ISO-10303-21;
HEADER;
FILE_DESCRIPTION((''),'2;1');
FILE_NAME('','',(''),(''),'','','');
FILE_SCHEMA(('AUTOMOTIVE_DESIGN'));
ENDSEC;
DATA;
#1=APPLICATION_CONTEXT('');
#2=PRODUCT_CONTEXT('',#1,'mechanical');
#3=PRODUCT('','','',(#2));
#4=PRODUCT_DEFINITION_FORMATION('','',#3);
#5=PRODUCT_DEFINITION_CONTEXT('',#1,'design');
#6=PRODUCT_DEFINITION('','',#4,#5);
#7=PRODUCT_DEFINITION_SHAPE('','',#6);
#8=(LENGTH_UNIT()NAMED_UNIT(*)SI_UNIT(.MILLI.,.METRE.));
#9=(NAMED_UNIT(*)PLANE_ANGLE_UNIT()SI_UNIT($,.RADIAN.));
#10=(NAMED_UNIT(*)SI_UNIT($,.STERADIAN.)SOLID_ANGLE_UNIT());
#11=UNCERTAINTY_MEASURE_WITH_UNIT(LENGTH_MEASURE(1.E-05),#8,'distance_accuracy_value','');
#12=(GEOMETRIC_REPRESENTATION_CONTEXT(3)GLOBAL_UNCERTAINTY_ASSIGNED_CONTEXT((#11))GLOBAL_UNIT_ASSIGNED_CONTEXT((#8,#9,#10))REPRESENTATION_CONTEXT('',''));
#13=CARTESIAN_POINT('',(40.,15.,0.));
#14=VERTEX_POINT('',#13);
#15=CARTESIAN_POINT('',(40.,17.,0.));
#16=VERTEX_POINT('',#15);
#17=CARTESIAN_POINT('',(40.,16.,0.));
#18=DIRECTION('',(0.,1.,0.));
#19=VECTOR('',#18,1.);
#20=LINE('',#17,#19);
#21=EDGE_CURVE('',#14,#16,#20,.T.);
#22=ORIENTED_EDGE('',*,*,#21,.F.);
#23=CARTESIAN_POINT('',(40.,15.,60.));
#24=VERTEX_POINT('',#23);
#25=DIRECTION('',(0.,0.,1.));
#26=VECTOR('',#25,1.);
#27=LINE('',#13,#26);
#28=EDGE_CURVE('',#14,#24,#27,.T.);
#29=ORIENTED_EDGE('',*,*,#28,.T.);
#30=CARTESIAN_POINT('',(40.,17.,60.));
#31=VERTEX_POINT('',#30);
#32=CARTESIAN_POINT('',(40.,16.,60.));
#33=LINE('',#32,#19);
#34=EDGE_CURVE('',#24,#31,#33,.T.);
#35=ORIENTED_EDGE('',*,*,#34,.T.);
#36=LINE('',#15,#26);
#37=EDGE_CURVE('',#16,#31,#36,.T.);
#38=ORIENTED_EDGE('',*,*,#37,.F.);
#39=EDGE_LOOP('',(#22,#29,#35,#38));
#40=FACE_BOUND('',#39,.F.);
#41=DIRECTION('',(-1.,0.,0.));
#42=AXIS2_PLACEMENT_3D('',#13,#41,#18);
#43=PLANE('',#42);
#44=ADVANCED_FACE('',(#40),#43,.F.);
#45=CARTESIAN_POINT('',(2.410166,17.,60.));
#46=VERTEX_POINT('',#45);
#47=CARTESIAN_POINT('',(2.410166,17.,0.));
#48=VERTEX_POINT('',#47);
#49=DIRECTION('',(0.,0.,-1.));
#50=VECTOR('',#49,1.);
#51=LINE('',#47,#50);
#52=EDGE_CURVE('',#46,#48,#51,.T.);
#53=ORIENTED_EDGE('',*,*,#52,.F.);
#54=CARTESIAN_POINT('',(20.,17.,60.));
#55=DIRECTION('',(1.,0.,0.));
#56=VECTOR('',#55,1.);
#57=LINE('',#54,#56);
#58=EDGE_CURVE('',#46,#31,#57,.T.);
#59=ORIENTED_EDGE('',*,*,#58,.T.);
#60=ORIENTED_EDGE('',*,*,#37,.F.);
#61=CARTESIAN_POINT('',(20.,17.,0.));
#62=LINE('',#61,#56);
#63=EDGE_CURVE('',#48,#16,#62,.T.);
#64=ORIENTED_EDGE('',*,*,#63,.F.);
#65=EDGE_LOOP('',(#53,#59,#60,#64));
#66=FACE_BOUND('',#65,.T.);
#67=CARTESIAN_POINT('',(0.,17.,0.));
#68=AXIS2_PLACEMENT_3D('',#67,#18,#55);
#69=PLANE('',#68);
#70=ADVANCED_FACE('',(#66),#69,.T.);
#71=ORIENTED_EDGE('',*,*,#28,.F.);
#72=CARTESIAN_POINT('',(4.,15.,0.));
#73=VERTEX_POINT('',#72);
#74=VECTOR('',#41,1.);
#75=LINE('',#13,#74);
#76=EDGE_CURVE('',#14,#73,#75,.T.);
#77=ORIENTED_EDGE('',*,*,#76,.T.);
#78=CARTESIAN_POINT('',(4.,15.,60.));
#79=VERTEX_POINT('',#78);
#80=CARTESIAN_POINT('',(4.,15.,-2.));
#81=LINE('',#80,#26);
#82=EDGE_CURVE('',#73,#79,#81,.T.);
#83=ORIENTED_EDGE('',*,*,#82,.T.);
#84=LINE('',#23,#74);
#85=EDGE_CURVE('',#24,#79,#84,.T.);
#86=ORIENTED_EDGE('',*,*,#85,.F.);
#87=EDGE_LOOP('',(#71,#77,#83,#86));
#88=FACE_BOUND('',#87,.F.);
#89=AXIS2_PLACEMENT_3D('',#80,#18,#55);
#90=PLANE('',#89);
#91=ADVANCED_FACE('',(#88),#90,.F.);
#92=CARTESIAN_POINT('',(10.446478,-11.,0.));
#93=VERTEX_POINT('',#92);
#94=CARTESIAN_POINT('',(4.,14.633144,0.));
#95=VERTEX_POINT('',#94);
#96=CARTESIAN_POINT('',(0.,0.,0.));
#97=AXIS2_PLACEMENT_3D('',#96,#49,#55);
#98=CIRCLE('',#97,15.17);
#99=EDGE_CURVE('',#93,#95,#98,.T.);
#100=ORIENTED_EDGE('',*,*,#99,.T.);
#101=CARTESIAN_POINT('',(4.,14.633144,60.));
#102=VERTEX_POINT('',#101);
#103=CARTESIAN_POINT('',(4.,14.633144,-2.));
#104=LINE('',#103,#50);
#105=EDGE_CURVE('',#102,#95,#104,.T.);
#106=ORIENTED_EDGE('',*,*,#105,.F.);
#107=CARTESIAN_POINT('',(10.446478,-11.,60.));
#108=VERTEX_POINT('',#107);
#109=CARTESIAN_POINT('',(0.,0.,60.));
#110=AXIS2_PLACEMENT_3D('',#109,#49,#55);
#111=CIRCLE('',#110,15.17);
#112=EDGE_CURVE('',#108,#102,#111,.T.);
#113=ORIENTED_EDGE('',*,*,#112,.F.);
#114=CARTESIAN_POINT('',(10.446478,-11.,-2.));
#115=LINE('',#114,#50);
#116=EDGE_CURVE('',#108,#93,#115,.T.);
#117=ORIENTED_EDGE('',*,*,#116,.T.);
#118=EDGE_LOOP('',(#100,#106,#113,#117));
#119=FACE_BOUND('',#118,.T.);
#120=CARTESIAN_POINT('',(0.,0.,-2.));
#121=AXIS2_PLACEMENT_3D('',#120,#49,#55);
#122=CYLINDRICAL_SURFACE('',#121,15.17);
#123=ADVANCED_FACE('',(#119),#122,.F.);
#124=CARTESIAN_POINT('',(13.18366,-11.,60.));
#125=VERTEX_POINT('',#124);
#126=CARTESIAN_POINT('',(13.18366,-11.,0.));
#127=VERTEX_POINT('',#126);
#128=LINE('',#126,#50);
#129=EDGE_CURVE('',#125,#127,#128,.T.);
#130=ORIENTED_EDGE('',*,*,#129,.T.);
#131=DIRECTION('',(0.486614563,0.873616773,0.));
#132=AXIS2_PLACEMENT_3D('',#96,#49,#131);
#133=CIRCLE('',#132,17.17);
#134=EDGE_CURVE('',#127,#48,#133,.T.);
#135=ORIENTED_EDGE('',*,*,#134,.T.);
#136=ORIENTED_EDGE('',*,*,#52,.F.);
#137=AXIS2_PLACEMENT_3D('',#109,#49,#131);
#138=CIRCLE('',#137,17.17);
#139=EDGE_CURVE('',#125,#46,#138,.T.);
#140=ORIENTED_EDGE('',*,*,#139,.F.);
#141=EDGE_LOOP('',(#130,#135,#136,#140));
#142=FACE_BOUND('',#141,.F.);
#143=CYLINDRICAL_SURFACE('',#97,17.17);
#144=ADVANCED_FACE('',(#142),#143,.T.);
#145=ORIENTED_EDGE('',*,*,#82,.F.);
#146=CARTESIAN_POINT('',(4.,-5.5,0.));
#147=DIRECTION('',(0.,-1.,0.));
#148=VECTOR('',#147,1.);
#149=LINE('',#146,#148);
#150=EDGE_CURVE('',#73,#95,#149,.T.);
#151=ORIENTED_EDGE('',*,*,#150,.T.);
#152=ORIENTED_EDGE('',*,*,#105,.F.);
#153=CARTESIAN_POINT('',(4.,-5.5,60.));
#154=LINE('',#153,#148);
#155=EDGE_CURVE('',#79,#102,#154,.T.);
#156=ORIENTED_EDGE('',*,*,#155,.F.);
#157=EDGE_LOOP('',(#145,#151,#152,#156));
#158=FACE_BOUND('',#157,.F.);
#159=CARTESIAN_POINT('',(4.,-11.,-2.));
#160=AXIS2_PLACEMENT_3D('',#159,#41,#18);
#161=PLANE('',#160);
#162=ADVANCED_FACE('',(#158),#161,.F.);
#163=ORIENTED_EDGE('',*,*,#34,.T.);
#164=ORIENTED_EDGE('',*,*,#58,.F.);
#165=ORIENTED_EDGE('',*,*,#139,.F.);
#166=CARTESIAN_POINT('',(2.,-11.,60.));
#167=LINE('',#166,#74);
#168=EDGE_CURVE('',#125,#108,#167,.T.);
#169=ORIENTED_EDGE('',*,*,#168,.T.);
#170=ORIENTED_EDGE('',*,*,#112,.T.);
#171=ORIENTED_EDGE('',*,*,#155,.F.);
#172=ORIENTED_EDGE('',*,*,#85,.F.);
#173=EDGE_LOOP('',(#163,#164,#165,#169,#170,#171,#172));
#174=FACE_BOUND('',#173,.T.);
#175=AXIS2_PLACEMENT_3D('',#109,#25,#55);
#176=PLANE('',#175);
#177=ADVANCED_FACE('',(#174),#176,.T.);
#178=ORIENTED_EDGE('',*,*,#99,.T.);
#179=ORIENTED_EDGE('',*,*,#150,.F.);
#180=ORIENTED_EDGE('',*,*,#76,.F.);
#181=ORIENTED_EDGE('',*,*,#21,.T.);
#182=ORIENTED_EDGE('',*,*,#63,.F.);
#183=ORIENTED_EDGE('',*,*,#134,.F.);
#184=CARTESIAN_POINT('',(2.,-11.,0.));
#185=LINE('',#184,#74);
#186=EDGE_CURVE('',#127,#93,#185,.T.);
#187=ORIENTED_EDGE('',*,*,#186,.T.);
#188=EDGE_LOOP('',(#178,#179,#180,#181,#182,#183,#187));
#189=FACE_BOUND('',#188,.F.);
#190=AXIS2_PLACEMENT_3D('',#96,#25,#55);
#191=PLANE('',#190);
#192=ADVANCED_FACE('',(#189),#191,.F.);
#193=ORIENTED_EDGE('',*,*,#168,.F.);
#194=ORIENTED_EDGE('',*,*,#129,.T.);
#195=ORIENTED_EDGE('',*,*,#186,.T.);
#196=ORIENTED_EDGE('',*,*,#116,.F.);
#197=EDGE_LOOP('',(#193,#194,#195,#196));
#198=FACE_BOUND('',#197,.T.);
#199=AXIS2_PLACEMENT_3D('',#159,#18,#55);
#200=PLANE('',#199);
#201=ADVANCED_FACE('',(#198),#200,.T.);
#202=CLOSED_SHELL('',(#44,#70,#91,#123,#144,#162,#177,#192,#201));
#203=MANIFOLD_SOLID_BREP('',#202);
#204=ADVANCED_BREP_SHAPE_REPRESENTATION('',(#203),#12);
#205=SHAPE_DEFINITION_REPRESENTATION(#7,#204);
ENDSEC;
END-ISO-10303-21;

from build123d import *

# Parameters (mm, degrees)
BOX006_W          = 15
BOX006_H          = 26
BOX006_DEPTH      = 64
CYLINDER023_R     = 15.17
CYLINDER023_DEPTH = 64
BOX005_W          = 40
BOX005_H          = 2
BOX005_DEPTH      = 60
CYLINDER022_R     = 17.17
CYLINDER022_DEPTH = 60


with BuildPart() as cube004:
    # Box006 → Box006 (new body)
    with BuildSketch(Plane(origin=(4, -11, -2), x_dir=(1, 0, 0), z_dir=(0, 0, 1))):
        with Locations((7.5, 13)):
            Rectangle(BOX006_W, BOX006_H)
    extrude(amount=BOX006_DEPTH)


with BuildPart() as fusion002003003009:
    # Cylinder023 → Cylinder023 (new body)
    with BuildSketch(Plane.XY.offset(-2)):
        Circle(CYLINDER023_R)
    extrude(amount=CYLINDER023_DEPTH)

    # Fusion002003003009: union Cube004
    add(cube004.part)


with BuildPart() as cube003:
    # Box005 → Box005 (new body)
    with BuildSketch(Plane(origin=(0, 15, 0), x_dir=(1, 0, 0), z_dir=(0, 0, 1))):
        with Locations((20, 1)):
            Rectangle(BOX005_W, BOX005_H)
    extrude(amount=BOX005_DEPTH)


with BuildPart() as small_ctl_panel:
    # Cylinder022 → Cylinder022 (new body)
    with BuildSketch(Plane.XY):
        Circle(CYLINDER022_R)
    extrude(amount=CYLINDER022_DEPTH)

    # Fusion002003003010: union Cube003
    add(cube003.part)

    # Cut001011003002: cut Fusion002003003009
    add(fusion002003003009.part, mode=Mode.SUBTRACT)


solid = small_ctl_panel.part
